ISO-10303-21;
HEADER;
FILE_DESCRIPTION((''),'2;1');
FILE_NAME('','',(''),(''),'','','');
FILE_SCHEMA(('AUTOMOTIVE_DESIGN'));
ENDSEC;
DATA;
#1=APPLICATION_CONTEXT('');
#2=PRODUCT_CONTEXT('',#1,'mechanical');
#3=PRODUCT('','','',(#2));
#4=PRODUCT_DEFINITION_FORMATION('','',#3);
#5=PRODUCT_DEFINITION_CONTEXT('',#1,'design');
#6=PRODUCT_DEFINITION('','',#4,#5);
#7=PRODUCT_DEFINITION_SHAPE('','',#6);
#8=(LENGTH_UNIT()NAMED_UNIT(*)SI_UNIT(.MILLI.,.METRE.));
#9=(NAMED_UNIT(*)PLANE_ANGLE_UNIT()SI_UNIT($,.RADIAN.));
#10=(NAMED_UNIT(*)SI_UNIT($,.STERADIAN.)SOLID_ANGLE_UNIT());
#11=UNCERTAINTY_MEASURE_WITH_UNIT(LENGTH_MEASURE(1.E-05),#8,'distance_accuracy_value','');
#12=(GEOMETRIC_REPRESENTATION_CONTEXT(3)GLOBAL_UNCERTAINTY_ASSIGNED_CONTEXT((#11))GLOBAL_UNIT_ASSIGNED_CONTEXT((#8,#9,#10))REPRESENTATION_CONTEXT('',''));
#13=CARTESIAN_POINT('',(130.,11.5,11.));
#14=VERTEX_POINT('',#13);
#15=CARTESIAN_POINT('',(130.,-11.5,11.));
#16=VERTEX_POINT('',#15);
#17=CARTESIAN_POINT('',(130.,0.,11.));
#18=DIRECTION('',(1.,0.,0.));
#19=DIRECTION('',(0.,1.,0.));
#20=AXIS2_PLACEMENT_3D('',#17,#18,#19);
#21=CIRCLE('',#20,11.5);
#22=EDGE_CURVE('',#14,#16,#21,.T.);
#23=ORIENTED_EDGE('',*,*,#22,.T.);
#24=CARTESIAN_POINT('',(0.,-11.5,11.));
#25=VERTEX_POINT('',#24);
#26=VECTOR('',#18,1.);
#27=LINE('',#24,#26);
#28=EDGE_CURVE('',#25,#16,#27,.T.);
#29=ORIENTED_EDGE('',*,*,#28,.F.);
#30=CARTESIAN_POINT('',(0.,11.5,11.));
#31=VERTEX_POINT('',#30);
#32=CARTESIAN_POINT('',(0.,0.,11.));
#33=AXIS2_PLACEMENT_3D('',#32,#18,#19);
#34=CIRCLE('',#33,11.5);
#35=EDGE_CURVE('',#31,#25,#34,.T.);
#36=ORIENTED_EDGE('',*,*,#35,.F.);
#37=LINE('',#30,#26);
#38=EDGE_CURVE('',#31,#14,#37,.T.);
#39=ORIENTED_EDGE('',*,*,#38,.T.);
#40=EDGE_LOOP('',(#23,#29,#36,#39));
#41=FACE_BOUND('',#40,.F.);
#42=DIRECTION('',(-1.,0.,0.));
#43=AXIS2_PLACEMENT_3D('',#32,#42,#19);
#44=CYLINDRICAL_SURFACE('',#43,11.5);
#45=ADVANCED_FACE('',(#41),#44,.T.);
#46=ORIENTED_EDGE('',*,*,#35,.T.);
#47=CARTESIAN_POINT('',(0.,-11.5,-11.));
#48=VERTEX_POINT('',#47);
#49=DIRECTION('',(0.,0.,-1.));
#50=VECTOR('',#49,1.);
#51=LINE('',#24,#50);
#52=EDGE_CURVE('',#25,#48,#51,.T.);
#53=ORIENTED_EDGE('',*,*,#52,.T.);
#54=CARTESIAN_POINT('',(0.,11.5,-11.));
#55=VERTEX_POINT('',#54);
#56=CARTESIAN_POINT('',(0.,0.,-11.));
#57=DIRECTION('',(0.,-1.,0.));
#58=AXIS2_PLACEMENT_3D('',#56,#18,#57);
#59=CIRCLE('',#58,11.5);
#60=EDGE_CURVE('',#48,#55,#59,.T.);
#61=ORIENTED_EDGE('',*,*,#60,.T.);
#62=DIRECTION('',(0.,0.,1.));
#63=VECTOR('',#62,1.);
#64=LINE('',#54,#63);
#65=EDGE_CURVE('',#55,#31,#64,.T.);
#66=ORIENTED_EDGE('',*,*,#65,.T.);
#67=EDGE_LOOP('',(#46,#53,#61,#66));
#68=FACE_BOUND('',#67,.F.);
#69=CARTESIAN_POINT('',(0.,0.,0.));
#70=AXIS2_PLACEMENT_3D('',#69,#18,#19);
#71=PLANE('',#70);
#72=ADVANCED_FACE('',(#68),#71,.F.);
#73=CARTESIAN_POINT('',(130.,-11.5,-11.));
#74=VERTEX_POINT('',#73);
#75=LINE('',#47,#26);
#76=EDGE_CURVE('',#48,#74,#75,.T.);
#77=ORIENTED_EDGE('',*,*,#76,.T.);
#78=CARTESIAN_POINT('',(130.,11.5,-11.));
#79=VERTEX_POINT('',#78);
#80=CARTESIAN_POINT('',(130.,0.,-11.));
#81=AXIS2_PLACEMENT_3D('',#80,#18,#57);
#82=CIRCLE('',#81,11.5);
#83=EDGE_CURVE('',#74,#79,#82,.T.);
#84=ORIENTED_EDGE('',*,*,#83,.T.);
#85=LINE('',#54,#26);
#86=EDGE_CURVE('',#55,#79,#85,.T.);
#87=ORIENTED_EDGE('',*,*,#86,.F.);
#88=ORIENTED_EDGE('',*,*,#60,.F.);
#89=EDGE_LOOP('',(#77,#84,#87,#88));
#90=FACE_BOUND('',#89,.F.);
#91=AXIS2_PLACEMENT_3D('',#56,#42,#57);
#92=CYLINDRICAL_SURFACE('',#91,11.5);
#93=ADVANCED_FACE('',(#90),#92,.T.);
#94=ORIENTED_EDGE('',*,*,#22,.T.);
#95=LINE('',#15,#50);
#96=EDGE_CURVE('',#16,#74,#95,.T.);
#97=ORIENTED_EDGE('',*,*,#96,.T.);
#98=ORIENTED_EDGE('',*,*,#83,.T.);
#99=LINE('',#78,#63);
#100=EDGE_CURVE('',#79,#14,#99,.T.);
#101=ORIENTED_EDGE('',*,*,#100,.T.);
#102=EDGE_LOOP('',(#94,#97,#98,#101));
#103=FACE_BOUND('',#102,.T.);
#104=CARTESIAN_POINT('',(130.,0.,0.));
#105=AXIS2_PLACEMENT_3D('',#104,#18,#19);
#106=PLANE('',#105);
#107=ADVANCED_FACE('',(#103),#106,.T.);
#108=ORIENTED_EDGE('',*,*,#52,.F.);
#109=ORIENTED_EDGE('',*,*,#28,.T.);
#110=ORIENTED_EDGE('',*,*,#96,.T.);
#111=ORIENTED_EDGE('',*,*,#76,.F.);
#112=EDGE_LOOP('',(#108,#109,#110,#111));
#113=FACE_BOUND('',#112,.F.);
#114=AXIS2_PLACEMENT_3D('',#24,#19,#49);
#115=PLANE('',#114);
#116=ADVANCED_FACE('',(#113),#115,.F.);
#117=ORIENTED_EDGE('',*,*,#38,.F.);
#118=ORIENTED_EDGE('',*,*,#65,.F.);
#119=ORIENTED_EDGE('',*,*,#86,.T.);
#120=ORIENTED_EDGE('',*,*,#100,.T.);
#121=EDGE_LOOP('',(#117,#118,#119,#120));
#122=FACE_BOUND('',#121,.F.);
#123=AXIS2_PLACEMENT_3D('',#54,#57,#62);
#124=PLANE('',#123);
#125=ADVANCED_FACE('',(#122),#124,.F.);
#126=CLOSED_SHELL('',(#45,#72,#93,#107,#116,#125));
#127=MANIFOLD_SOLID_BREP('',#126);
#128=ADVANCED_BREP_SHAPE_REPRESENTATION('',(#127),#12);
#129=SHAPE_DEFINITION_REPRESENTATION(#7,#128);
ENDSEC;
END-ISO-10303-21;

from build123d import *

# Parameters (mm, degrees)
F1_DEPTH = 130


with BuildPart() as f1:
    # F0 (on Right) → F1 (new body)
    with BuildSketch(Plane.YZ):
        with BuildLine():
            ThreePointArc((11.5, 11), (0, 22.5), (-11.5, 11))
            Line((-11.5, 11), (-11.5, -11))
            ThreePointArc((-11.5, -11), (0, -22.5), (11.5, -11))
            Line((11.5, -11), (11.5, 11))
        make_face()
    extrude(amount=F1_DEPTH)


solid = f1.part
